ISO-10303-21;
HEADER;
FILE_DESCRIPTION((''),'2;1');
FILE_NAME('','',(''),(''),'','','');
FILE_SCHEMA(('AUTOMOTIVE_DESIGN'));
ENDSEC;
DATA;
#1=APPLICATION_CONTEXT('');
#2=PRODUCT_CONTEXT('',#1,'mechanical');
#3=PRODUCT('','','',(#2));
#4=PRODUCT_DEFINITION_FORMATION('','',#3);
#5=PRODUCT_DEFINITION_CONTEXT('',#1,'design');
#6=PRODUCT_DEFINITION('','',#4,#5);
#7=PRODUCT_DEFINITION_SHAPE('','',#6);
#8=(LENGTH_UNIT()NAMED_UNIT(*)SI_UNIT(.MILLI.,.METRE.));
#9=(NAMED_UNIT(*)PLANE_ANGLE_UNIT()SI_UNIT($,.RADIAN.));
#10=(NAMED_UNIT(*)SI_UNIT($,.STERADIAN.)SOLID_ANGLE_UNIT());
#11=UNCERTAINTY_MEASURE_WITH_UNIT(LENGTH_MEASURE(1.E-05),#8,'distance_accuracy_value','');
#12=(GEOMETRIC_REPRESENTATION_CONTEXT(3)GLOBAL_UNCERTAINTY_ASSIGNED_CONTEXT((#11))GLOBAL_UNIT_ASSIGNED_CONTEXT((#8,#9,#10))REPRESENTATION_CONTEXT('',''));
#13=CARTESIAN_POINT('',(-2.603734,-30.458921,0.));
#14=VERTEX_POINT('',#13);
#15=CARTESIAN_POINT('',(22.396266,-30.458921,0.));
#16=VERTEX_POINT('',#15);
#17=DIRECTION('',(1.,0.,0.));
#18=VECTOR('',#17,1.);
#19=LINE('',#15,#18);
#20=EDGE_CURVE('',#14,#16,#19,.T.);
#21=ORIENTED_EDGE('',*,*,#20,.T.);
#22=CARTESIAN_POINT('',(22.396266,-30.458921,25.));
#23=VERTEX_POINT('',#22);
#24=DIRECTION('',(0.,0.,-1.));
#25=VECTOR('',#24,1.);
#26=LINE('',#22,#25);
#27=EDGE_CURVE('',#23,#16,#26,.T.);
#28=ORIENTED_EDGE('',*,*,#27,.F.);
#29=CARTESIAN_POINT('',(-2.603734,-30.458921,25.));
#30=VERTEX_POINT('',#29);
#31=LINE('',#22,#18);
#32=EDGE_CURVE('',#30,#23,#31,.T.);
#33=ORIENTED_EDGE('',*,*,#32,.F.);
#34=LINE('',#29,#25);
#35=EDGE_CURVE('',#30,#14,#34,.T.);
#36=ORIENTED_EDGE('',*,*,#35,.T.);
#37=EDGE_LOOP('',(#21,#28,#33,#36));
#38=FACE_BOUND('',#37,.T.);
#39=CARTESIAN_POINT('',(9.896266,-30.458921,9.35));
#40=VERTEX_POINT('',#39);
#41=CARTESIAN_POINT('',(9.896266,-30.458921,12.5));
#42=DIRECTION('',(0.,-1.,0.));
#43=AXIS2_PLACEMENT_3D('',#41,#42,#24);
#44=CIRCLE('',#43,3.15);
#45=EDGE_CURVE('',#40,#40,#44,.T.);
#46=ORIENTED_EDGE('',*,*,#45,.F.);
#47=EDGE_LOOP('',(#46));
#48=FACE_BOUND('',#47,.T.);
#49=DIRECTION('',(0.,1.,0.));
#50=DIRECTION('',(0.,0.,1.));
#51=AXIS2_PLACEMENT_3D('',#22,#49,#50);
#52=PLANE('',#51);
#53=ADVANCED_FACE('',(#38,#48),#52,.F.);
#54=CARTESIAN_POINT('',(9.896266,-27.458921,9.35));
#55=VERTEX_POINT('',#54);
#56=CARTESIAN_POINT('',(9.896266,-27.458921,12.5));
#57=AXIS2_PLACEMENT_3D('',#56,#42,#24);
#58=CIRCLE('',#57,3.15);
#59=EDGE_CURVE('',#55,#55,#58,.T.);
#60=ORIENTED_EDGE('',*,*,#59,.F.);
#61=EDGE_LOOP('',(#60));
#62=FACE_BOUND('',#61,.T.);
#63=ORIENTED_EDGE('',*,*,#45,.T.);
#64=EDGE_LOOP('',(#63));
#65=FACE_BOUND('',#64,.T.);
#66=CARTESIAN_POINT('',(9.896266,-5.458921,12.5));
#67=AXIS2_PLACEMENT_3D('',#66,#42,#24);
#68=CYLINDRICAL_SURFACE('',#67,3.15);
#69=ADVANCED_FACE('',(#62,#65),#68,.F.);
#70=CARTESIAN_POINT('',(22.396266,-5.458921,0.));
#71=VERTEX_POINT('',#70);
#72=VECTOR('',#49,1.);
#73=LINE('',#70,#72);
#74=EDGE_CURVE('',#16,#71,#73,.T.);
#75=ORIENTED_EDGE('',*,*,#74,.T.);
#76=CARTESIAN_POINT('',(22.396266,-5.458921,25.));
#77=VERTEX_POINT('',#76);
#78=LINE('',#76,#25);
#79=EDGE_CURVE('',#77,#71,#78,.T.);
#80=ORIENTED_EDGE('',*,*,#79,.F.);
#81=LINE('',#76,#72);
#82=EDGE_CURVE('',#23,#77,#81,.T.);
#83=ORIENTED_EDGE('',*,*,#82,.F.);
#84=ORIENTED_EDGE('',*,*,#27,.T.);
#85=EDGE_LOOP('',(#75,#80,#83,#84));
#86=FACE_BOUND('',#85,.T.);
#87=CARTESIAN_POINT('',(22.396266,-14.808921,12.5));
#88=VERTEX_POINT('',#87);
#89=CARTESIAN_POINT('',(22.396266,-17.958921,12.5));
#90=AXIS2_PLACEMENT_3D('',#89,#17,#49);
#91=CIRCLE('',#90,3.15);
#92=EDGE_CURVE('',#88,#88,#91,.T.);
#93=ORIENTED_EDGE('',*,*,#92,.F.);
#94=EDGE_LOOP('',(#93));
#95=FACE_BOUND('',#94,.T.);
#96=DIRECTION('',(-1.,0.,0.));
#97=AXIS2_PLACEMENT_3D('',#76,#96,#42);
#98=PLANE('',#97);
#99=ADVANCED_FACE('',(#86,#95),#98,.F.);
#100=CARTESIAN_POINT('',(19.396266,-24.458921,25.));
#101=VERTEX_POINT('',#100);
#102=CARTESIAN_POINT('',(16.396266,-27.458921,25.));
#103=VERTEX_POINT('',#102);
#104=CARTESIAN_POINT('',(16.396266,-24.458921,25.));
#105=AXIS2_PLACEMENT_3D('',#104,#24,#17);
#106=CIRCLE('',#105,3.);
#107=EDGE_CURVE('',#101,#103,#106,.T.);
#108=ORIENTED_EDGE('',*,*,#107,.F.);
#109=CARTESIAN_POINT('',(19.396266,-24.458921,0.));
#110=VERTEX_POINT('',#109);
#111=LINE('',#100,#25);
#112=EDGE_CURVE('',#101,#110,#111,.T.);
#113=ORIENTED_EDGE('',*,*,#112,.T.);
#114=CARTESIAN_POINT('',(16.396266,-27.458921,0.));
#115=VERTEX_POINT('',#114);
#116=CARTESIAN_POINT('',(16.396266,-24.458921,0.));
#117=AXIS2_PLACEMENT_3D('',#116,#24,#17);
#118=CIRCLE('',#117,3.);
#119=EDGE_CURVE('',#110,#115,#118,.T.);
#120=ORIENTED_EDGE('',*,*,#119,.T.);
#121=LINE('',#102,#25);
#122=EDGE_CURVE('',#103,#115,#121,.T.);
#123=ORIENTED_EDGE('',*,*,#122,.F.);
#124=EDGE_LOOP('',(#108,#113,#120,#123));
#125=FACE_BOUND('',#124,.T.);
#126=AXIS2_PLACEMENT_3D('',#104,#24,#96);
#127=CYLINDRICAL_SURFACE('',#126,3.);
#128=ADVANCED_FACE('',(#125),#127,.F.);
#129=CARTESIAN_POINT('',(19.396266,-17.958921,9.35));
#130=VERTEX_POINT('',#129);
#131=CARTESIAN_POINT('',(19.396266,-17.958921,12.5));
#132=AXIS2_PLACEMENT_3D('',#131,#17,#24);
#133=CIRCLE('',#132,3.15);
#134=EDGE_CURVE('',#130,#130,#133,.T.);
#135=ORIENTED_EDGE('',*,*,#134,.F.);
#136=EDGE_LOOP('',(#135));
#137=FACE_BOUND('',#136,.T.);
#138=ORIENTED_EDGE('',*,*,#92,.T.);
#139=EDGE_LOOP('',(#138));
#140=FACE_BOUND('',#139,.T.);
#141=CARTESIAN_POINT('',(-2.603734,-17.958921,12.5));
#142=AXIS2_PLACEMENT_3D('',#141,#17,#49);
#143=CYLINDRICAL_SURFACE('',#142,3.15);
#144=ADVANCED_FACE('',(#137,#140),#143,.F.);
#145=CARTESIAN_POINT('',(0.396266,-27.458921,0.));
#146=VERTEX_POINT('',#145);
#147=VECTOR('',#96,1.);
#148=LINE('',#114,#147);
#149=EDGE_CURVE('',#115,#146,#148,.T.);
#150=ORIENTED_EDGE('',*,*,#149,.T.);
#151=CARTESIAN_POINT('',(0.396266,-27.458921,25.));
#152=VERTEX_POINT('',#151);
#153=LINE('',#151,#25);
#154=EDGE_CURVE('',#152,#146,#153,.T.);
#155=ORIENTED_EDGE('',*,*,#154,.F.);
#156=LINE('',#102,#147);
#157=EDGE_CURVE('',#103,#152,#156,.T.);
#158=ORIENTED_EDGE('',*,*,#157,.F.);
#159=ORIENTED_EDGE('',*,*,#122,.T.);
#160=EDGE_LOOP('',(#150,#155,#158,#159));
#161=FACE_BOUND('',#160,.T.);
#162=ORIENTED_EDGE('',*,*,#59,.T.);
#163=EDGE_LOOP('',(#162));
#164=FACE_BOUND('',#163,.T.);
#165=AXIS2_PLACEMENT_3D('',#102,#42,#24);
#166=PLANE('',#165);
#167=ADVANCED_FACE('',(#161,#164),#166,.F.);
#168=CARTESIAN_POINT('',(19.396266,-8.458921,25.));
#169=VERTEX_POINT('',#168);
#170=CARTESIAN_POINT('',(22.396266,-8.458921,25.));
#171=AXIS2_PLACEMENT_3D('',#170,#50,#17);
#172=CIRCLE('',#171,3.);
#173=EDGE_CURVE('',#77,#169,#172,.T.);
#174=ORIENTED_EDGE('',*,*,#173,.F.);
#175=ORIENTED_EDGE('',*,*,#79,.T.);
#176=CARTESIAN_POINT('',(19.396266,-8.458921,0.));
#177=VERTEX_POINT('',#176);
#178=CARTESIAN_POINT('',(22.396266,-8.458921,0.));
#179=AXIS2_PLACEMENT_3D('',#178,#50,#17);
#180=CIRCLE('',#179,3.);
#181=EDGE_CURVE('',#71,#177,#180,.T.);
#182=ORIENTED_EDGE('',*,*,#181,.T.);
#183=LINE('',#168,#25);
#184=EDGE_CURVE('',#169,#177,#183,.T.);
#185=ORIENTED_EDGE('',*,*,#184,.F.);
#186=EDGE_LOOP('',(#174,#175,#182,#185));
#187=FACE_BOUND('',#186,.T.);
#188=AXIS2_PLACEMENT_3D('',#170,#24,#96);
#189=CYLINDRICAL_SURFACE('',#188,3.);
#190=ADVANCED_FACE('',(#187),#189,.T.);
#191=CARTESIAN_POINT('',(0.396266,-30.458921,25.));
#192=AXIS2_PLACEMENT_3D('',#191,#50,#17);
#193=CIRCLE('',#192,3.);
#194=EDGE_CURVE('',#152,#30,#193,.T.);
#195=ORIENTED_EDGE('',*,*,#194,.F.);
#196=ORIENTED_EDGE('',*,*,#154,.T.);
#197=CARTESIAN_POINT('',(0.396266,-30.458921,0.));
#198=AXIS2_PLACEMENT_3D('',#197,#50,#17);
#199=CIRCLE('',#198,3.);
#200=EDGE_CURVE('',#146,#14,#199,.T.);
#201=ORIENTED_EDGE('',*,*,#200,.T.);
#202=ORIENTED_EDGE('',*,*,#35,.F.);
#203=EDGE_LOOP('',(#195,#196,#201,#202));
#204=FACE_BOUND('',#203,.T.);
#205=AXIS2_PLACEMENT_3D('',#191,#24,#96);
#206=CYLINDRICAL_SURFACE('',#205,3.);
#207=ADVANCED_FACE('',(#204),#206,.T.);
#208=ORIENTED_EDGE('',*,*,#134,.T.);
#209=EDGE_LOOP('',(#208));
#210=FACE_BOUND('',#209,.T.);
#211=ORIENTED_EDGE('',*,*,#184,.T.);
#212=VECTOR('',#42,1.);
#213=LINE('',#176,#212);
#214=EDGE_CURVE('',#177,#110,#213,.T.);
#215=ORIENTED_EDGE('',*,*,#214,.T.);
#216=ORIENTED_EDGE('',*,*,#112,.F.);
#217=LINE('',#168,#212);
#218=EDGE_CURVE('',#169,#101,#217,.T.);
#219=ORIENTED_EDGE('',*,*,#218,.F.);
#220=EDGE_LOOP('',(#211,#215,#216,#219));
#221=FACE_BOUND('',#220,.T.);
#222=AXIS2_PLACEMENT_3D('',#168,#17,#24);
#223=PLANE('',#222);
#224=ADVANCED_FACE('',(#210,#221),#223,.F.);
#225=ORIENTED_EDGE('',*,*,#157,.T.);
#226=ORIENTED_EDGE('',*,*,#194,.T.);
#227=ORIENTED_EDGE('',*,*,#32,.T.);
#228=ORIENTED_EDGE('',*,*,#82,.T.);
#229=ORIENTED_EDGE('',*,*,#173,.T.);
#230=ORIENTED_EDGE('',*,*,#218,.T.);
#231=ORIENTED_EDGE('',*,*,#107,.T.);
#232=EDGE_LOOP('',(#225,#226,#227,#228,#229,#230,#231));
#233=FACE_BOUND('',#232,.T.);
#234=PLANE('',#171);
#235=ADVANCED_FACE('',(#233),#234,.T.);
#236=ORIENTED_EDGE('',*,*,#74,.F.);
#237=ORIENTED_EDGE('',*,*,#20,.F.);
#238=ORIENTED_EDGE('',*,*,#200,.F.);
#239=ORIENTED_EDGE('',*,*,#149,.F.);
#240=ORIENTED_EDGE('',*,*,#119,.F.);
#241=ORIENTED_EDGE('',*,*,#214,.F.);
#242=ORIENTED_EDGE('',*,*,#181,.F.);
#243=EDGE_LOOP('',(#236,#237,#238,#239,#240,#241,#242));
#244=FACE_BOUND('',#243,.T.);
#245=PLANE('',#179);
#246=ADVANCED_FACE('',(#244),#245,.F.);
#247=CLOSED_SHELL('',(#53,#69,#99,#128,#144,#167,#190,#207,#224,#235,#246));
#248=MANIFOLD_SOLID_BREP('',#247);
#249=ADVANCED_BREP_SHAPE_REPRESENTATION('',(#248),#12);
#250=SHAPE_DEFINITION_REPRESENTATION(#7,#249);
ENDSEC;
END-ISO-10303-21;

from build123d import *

# Parameters (mm, degrees)
EXTRUDE1_DEPTH     = 25
SKETCH2_R          = 3.15
CUT_EXTRUDE1_DEPTH = 25
SKETCH3_R          = 3.15
CUT_EXTRUDE2_DEPTH = 25


with BuildPart() as part:
    # Sketch1 → Extrude1 (new body)
    with BuildSketch(Plane.XY):
        with BuildLine():
            Line((22.39626556, -5.458921162), (22.39626556, -30.458921162))
            Line((22.39626556, -30.458921162), (-2.60373444, -30.458921162))
            ThreePointArc((-2.60373444, -30.458921162), (-1.725054783, -28.337600818), (0.39626556, -27.458921162))
            Line((0.39626556, -27.458921162), (16.39626556, -27.458921162))
            ThreePointArc((16.39626556, -27.458921162), (18.517585904, -26.580241505), (19.39626556, -24.458921162))
            Line((19.39626556, -24.458921162), (19.39626556, -8.458921162))
            ThreePointArc((19.39626556, -8.458921162), (20.274945217, -6.337600818), (22.39626556, -5.458921162))
        make_face()
    extrude(amount=EXTRUDE1_DEPTH)

    # Sketch2 → Cut-Extrude1 (cut)
    with BuildSketch(Plane(origin=(22.39626556, 0, 0), x_dir=(0, 0, -1), z_dir=(1, 0, 0))):
        with Locations(Location((-12.5, -17.958921162, 0), (0, 0, 90))):
            Circle(SKETCH2_R)
    extrude(amount=-CUT_EXTRUDE1_DEPTH, mode=Mode.SUBTRACT)

    # Sketch3 → Cut-Extrude2 (cut)
    with BuildSketch(Plane.XZ.offset(30.458921162)):
        with Locations(Location((9.89626556, 12.5, 0), (0, 0, 270))):
            Circle(SKETCH3_R)
    extrude(amount=-CUT_EXTRUDE2_DEPTH, mode=Mode.SUBTRACT)


solid = part.part
